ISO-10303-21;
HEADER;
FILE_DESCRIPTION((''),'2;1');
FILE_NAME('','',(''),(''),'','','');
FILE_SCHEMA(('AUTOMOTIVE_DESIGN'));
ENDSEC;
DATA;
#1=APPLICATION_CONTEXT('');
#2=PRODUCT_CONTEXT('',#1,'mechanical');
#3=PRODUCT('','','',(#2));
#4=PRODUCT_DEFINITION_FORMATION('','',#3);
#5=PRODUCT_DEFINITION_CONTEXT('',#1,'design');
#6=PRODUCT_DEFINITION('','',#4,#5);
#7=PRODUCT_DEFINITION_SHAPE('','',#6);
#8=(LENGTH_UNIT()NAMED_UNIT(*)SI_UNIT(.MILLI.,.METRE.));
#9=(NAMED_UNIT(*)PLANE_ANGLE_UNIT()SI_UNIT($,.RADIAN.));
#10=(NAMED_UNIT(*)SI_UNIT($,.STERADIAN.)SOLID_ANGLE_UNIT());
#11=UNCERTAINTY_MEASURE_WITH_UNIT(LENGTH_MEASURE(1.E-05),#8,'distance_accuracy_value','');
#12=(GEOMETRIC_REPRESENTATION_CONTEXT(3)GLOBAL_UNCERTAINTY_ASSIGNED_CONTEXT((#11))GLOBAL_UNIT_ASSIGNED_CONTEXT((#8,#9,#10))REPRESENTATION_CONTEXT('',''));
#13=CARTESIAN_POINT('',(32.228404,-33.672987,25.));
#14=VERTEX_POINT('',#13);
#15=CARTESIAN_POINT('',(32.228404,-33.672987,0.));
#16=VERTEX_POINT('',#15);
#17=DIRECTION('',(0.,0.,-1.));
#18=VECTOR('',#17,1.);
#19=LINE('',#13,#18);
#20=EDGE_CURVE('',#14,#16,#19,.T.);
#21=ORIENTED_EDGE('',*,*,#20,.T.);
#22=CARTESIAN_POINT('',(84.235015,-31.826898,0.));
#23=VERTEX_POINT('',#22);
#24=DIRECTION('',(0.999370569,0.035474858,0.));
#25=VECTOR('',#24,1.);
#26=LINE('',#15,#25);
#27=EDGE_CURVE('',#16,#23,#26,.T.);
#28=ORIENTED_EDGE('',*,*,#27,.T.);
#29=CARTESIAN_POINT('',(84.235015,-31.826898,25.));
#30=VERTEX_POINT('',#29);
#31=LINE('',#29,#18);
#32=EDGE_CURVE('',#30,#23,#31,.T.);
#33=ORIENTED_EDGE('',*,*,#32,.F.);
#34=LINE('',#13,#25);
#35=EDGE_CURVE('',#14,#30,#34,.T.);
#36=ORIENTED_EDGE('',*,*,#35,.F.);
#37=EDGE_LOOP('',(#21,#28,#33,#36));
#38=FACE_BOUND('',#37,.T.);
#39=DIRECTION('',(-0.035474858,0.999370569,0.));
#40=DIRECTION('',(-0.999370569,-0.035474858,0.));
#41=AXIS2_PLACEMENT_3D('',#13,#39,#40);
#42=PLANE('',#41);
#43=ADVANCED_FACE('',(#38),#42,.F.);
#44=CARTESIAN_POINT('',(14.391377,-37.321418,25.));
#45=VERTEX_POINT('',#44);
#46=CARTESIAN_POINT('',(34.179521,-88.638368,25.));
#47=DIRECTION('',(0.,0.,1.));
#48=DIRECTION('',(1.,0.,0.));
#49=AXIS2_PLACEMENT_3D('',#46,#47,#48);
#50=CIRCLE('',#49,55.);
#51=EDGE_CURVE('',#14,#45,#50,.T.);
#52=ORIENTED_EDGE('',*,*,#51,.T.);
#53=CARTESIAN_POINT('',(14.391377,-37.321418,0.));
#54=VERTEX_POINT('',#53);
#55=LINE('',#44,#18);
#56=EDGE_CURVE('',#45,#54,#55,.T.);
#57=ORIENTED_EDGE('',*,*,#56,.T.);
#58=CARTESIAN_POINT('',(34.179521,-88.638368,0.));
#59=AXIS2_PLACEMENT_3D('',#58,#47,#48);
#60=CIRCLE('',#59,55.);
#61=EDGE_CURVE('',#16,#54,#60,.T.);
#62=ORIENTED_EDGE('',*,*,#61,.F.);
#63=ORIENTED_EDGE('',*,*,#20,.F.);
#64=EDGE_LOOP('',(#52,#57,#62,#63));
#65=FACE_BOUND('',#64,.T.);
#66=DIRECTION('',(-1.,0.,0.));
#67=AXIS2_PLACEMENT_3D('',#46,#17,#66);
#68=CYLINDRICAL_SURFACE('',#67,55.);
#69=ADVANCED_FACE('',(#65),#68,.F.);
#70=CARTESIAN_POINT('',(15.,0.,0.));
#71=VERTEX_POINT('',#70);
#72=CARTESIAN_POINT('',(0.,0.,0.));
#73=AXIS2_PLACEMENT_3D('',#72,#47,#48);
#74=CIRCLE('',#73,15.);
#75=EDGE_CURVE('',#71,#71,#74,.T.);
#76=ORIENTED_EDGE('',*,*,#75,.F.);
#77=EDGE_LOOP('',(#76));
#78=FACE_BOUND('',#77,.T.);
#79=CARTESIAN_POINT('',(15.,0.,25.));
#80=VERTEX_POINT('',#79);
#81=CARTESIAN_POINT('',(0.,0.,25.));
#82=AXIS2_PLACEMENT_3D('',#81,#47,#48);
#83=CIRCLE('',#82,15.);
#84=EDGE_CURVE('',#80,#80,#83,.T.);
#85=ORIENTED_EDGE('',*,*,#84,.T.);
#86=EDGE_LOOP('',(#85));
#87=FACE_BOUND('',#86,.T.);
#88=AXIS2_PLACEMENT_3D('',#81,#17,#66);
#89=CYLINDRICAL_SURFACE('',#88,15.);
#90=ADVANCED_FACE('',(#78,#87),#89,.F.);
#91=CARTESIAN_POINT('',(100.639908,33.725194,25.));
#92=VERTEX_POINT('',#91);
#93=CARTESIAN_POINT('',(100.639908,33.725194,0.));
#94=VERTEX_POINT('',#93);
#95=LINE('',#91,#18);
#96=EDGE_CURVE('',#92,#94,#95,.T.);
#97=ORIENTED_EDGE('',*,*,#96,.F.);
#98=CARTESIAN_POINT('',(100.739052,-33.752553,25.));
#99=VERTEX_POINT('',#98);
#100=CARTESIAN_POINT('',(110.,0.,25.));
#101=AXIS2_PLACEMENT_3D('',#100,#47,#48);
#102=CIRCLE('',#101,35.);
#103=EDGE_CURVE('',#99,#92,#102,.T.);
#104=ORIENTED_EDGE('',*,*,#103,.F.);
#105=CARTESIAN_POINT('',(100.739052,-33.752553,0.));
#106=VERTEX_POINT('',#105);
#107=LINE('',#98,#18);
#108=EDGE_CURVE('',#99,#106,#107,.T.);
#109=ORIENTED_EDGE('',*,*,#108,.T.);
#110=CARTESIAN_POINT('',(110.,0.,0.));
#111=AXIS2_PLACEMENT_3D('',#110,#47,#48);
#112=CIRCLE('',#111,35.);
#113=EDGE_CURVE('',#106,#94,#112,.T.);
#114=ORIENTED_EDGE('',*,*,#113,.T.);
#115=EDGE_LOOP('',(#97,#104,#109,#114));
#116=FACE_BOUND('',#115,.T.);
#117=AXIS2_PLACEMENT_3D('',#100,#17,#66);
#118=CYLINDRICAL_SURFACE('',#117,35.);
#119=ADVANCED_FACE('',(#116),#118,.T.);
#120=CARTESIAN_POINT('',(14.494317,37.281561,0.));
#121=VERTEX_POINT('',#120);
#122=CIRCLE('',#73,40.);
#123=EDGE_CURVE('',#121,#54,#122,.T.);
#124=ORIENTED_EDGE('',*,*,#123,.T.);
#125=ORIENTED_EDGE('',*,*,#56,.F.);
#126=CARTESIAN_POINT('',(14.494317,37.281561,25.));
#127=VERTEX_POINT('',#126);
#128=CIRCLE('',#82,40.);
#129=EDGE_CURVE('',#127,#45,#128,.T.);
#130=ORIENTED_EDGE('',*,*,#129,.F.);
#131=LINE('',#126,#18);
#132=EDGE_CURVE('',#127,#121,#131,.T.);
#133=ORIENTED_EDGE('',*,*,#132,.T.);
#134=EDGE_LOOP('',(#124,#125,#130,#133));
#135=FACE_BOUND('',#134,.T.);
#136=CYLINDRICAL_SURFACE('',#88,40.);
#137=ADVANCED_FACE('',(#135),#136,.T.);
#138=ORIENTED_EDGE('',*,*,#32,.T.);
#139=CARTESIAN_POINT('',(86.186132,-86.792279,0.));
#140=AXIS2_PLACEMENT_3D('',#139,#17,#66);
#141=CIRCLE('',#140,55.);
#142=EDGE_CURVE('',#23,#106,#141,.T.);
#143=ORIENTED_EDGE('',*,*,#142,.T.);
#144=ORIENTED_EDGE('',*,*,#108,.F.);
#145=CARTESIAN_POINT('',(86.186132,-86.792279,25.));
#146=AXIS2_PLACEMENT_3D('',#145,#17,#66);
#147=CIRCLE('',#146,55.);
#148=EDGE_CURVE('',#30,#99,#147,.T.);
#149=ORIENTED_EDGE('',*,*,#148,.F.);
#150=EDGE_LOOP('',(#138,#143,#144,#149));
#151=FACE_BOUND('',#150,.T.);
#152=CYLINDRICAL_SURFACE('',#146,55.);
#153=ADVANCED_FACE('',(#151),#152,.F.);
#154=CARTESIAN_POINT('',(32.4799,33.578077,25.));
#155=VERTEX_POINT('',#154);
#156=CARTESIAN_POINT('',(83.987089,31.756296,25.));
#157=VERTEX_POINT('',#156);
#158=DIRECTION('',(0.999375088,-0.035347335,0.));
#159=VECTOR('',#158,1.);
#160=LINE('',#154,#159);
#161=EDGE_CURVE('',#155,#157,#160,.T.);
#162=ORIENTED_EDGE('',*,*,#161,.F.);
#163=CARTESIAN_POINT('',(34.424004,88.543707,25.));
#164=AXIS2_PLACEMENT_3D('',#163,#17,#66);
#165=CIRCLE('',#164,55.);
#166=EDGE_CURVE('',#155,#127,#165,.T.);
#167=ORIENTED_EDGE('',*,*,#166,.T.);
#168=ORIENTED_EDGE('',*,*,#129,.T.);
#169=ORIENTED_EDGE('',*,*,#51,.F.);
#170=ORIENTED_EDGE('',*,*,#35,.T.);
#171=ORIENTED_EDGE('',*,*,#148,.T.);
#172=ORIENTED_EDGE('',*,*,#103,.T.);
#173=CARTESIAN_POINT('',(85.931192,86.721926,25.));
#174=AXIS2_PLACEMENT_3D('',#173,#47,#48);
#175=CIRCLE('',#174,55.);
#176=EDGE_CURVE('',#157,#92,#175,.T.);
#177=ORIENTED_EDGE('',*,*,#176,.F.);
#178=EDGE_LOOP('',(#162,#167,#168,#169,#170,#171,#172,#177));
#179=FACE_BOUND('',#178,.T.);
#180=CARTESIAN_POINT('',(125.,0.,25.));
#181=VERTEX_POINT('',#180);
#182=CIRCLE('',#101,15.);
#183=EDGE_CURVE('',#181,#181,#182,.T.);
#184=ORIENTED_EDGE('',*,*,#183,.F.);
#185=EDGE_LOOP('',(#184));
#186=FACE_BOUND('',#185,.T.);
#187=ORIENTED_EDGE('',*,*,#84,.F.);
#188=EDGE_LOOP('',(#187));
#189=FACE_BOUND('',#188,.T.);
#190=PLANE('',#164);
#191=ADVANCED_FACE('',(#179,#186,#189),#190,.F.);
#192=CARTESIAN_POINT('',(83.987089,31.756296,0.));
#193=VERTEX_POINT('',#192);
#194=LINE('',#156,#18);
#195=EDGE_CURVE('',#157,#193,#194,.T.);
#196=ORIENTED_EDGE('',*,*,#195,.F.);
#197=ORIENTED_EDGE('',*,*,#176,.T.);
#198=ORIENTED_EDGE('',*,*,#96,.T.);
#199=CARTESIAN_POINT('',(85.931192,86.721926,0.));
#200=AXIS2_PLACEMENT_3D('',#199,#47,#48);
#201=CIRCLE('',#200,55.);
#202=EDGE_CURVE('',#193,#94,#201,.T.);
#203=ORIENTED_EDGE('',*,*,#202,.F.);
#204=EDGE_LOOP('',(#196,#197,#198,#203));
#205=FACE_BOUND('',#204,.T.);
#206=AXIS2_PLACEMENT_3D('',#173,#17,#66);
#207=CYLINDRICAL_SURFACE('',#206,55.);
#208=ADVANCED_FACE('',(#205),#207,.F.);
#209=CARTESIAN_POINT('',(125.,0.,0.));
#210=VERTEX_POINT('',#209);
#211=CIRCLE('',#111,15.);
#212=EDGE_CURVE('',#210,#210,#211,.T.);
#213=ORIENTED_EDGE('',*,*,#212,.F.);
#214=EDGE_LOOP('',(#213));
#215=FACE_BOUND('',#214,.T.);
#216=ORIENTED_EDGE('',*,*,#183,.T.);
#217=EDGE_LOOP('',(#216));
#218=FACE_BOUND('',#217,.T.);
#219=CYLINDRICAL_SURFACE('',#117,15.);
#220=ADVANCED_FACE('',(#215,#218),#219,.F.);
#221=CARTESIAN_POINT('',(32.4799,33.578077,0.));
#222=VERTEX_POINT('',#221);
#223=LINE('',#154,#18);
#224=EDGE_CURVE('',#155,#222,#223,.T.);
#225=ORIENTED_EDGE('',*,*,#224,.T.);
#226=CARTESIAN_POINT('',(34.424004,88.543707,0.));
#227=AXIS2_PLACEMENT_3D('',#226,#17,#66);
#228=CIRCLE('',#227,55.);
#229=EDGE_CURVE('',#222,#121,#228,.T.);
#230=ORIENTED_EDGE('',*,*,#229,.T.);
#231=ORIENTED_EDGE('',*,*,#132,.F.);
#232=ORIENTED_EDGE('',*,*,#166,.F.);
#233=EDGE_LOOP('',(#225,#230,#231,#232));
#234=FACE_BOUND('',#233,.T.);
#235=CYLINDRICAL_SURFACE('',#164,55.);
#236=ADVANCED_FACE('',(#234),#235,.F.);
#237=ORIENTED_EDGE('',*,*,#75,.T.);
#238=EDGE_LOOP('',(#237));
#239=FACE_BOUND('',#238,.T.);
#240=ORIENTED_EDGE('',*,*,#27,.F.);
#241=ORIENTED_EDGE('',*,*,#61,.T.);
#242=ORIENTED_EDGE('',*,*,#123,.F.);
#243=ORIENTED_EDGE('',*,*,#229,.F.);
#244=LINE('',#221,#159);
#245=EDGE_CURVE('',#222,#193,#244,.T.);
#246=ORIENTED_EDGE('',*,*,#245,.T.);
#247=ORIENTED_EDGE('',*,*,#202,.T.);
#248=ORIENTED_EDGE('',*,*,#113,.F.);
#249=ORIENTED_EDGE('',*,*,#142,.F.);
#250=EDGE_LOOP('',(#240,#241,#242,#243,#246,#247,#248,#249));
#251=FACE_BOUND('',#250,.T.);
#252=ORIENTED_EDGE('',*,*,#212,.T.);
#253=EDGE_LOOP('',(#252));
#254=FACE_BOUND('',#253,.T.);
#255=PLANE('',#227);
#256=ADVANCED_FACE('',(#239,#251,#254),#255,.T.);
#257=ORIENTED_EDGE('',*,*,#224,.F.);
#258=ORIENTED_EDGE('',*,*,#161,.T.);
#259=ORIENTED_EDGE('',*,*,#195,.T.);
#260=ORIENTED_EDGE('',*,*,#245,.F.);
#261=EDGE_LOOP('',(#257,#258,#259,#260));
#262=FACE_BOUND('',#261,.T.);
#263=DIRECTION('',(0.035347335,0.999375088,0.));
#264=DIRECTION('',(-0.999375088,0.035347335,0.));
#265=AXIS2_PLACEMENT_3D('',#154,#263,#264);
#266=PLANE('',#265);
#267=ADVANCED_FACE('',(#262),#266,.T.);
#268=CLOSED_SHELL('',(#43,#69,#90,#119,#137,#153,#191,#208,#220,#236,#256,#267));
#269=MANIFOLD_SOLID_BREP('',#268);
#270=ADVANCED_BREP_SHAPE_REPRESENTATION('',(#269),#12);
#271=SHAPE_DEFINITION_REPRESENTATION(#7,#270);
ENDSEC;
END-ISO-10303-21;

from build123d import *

# Parameters (mm, degrees)
SKETCH1_R           = 15
BOSS_EXTRUDE1_DEPTH = 25


with BuildPart() as part:
    # Sketch1 → Boss-Extrude1 (new body)
    with BuildSketch(Plane.XY):
        with BuildLine():
            Line((32.479900356, 33.578076695), (83.98708873, 31.756296404))
            ThreePointArc((83.98708873, 31.756296404), (92.388975978, 32.10235988), (100.639908058, 33.725193533))
            ThreePointArc((100.639908058, 33.725193533), (144.999962222, 0.051424621), (100.739051524, -33.75255299))
            ThreePointArc((100.739051524, -33.75255299), (92.560172775, -32.162876681), (84.235015326, -31.826897813))
            Line((84.235015326, -31.826897813), (32.228404177, -33.672986918))
            ThreePointArc((32.228404177, -33.672986918), (23.15787759, -34.75401642), (14.391377406, -37.321418199))
            ThreePointArc((14.391377406, -37.321418199), (-39.999961921, 0.05519344), (14.494317379, 37.281560639))
            ThreePointArc((14.494317379, 37.281560639), (23.331455891, 34.673906246), (32.479900356, 33.578076695))
        make_face()
        Circle(SKETCH1_R, mode=Mode.SUBTRACT)
        with Locations((110, 0)):
            Circle(SKETCH1_R, mode=Mode.SUBTRACT)
    extrude(amount=BOSS_EXTRUDE1_DEPTH)


solid = part.part
